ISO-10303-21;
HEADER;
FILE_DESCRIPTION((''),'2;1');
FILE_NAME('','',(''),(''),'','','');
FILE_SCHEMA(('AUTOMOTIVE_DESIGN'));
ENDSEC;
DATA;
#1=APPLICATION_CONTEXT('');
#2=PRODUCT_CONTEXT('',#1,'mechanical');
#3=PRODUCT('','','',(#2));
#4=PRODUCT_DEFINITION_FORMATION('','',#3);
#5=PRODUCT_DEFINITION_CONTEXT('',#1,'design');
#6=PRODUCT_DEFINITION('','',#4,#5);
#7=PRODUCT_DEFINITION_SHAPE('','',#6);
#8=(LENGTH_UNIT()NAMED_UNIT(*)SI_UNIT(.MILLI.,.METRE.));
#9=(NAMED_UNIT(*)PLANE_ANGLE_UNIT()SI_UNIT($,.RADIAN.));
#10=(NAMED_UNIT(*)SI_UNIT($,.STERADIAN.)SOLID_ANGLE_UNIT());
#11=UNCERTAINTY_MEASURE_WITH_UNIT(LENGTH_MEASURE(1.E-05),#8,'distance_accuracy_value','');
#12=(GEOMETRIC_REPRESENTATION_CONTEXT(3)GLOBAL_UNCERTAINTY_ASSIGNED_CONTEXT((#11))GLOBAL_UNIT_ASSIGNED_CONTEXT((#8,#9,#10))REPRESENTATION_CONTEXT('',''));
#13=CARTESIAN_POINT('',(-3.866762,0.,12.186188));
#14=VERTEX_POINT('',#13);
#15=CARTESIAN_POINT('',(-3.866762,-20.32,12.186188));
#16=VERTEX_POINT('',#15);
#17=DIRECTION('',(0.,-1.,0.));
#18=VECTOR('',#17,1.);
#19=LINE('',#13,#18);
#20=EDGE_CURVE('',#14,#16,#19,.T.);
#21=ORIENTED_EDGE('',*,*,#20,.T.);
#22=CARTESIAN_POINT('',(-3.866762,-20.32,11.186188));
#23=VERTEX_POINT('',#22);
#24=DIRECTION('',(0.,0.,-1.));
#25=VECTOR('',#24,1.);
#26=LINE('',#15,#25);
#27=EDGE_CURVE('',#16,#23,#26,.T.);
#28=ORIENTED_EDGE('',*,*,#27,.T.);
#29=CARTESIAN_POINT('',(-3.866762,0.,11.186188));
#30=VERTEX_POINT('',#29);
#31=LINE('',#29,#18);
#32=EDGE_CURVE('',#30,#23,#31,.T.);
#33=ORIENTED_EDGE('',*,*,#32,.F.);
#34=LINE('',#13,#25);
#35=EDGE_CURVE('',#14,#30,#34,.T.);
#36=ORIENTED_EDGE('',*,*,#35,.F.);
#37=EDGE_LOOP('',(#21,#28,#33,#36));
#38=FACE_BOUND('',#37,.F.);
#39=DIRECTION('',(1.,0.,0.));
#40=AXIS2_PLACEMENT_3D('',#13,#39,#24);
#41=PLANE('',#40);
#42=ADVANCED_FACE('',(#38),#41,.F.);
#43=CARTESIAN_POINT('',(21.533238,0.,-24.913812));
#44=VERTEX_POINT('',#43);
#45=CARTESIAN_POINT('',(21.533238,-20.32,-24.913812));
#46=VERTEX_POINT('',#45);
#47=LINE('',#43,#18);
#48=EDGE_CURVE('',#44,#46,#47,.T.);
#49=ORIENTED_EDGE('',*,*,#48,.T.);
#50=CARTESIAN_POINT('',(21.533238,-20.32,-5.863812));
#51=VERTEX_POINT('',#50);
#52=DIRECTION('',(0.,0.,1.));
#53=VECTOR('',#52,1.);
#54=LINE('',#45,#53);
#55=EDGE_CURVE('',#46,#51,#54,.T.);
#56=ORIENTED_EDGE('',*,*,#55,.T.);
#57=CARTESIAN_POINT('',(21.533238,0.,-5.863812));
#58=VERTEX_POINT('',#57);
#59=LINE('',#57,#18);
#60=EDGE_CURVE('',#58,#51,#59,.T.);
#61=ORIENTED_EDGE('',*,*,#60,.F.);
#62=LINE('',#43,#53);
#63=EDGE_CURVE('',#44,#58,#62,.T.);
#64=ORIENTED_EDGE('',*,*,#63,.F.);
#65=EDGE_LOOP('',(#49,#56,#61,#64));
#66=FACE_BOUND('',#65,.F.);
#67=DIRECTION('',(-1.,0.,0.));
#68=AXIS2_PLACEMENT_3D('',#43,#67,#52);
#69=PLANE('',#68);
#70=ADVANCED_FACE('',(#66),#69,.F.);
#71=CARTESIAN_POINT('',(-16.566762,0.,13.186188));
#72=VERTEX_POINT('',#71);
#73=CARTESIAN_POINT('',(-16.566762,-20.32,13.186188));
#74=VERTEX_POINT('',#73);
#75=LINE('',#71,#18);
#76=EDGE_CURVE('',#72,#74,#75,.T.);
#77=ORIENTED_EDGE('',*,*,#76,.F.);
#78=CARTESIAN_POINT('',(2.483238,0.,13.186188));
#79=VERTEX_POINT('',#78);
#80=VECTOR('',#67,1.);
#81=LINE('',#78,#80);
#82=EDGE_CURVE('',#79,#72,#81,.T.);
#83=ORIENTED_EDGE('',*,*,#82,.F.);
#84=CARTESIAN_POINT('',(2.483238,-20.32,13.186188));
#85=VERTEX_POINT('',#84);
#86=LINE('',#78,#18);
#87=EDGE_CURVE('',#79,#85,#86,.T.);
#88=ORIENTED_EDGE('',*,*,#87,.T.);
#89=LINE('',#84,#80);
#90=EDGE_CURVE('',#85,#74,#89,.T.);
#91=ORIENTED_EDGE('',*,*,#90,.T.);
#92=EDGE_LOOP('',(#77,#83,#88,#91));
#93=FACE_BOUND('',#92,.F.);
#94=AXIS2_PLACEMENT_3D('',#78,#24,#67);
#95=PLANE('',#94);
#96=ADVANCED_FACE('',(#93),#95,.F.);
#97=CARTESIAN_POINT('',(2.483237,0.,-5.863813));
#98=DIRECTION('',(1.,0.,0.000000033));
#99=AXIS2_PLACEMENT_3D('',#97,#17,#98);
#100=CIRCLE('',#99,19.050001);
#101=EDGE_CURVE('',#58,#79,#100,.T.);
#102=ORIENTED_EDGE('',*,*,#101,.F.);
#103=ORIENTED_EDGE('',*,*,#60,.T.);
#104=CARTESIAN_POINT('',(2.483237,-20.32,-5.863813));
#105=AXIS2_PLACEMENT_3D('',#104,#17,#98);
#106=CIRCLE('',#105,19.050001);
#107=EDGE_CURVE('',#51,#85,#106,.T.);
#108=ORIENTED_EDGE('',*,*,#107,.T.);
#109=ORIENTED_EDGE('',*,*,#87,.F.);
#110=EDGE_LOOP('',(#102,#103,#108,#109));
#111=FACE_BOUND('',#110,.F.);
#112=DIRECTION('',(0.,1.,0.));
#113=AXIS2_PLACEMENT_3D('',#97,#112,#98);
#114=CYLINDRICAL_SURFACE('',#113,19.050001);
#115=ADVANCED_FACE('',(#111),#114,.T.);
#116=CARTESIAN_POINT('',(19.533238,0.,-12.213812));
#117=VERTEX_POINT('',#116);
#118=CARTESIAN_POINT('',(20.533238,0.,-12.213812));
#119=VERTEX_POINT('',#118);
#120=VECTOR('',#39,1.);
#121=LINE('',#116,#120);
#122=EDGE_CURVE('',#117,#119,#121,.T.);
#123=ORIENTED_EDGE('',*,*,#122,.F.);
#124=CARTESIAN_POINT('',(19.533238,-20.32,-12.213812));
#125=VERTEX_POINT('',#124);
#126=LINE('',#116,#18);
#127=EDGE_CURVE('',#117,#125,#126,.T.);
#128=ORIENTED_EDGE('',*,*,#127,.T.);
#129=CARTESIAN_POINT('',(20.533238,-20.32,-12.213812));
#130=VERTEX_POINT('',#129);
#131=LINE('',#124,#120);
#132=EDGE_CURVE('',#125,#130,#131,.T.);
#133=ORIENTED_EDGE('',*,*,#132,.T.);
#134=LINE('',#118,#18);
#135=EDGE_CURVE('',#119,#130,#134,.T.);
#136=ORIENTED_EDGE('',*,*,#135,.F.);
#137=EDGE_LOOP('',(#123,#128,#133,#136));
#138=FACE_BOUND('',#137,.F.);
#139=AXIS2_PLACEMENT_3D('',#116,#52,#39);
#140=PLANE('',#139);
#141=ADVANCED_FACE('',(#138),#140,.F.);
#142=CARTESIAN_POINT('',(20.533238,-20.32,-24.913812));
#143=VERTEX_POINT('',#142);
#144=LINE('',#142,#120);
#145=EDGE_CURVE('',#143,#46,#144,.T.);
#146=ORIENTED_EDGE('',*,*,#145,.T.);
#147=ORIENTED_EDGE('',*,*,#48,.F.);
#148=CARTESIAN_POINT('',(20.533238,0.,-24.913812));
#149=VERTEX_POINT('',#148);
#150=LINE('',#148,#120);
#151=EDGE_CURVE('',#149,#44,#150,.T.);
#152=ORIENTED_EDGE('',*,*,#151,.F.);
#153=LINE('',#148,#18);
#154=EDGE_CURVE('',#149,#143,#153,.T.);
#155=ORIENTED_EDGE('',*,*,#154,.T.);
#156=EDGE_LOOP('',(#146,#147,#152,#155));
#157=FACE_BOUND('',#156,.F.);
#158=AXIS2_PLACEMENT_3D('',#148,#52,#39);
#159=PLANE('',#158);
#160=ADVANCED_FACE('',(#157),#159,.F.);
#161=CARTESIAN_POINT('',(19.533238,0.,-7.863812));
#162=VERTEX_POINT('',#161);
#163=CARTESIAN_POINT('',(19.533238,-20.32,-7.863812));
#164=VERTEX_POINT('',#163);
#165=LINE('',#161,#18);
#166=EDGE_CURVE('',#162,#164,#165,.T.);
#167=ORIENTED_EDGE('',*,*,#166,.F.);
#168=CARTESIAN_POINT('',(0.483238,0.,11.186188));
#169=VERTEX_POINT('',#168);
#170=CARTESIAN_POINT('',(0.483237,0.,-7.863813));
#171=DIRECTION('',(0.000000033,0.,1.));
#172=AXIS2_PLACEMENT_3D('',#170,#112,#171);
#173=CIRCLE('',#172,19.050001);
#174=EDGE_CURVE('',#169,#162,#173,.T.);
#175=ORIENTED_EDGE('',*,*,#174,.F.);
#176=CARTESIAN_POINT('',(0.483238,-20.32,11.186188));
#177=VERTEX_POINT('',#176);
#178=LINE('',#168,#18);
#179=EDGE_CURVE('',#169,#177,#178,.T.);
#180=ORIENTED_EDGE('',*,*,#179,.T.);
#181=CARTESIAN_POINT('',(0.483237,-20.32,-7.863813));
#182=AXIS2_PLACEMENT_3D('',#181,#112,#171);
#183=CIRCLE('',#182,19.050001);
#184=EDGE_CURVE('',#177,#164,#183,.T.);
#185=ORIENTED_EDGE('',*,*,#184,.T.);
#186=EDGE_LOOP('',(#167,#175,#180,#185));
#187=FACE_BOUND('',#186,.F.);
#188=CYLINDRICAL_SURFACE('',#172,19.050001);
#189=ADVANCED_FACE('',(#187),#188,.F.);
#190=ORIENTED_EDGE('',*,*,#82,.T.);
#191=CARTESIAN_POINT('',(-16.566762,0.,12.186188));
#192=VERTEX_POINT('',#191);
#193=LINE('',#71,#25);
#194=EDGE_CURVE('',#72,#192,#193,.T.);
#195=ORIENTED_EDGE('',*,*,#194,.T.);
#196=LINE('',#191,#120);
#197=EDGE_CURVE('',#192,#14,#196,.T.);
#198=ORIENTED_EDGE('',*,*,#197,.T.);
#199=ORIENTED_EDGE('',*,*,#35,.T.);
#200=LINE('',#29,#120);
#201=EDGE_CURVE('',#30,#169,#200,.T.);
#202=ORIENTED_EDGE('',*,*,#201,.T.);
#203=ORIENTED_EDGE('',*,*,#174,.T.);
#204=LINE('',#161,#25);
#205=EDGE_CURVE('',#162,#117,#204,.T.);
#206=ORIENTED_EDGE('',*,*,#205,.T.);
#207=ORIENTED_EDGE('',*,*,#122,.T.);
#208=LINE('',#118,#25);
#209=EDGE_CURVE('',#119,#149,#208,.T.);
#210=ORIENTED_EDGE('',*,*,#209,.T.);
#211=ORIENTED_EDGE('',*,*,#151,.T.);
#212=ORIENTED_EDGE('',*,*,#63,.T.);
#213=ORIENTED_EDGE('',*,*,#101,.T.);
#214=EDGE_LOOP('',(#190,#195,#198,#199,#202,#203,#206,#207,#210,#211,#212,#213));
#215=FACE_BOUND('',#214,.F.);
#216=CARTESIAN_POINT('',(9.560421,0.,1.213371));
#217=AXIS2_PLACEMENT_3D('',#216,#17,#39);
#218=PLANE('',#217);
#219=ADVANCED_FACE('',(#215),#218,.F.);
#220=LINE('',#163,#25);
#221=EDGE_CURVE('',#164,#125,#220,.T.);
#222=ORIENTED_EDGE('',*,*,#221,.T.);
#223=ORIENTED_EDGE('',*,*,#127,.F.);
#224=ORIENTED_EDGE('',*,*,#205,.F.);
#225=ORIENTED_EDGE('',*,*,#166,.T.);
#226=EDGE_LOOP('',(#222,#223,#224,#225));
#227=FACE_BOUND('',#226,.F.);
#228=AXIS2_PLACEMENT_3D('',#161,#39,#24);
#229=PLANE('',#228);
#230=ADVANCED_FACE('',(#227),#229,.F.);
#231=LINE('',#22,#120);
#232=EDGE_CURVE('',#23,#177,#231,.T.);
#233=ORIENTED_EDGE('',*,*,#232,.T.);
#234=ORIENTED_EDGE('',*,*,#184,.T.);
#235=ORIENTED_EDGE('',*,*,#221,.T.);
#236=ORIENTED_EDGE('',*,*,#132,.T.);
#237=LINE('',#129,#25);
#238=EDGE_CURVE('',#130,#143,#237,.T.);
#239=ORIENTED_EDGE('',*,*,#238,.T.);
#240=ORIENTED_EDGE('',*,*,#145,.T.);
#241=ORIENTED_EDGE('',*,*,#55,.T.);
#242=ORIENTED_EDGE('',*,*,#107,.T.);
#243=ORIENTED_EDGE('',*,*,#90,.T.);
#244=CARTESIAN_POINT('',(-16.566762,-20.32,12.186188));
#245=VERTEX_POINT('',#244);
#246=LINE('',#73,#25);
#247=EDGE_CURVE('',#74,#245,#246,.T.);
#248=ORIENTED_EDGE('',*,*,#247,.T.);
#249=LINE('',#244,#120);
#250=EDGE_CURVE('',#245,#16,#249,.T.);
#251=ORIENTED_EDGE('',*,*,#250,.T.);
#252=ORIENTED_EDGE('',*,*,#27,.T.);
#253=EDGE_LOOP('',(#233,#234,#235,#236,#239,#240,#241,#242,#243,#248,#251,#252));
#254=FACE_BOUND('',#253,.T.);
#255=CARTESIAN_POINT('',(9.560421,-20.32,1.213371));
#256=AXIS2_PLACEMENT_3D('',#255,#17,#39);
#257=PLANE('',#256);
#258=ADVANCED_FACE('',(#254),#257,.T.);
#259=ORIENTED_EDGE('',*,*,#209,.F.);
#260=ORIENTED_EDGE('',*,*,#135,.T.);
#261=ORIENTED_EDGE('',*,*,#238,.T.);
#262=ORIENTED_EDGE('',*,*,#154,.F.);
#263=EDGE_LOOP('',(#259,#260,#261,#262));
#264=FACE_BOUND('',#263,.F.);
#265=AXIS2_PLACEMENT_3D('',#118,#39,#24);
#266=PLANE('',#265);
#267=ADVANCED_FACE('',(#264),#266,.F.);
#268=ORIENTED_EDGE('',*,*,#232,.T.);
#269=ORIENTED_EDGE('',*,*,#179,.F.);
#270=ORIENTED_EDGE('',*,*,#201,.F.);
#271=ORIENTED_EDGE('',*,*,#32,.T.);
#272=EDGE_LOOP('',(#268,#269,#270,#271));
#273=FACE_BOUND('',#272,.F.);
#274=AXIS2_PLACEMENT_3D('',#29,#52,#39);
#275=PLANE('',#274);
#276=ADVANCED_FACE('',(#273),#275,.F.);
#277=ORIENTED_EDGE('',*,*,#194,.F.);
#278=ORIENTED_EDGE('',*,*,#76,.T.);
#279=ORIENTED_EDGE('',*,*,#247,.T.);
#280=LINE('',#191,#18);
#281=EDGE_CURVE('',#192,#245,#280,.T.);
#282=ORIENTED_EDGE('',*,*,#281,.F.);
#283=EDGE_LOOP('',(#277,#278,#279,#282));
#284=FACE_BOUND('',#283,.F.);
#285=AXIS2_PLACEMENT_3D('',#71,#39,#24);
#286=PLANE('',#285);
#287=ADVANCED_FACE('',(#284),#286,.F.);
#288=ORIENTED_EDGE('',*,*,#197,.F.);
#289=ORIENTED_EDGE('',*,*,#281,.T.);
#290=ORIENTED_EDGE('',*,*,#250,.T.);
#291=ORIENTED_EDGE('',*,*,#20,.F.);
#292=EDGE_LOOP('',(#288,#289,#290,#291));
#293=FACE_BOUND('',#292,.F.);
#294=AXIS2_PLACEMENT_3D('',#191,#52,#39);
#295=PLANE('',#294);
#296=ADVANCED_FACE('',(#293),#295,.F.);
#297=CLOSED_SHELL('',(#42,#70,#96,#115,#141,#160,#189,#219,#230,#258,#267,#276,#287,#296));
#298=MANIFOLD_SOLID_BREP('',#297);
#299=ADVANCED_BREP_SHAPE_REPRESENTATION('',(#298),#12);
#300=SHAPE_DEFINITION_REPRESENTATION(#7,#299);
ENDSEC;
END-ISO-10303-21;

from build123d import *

# Parameters (mm, degrees)
F1_DEPTH = 20.32


with BuildPart() as f1:
    # F0 (on Front) → F1 (new body)
    with BuildSketch(Plane.XZ):
        with BuildLine():
            Line((2.483238, 13.186188), (-3.866762, 13.186188))
            Line((-3.866762, 13.186188), (-16.566762, 13.186188))
            Line((-16.566762, 13.186188), (-16.566762, 12.186188))
            Line((-16.566762, 12.186188), (-3.866762, 12.186188))
            Line((-3.866762, 12.186188), (-3.866762, 11.186188))
            Line((-3.866762, 11.186188), (0.483238, 11.186188))
            ThreePointArc((0.483238, 11.186188), (13.953622, 5.606572), (19.533238, -7.863812))
            Line((19.533238, -7.863812), (19.533238, -12.213812))
            Line((19.533238, -12.213812), (20.533238, -12.213812))
            Line((20.533238, -12.213812), (20.533238, -24.913812))
            Line((20.533238, -24.913812), (21.533238, -24.913812))
            Line((21.533238, -24.913812), (21.533238, -12.213812))
            Line((21.533238, -12.213812), (21.533238, -5.863812))
            ThreePointArc((21.533238, -5.863812), (15.953622, 7.606572), (2.483238, 13.186188))
        make_face()
    extrude(amount=F1_DEPTH)


solid = f1.part
